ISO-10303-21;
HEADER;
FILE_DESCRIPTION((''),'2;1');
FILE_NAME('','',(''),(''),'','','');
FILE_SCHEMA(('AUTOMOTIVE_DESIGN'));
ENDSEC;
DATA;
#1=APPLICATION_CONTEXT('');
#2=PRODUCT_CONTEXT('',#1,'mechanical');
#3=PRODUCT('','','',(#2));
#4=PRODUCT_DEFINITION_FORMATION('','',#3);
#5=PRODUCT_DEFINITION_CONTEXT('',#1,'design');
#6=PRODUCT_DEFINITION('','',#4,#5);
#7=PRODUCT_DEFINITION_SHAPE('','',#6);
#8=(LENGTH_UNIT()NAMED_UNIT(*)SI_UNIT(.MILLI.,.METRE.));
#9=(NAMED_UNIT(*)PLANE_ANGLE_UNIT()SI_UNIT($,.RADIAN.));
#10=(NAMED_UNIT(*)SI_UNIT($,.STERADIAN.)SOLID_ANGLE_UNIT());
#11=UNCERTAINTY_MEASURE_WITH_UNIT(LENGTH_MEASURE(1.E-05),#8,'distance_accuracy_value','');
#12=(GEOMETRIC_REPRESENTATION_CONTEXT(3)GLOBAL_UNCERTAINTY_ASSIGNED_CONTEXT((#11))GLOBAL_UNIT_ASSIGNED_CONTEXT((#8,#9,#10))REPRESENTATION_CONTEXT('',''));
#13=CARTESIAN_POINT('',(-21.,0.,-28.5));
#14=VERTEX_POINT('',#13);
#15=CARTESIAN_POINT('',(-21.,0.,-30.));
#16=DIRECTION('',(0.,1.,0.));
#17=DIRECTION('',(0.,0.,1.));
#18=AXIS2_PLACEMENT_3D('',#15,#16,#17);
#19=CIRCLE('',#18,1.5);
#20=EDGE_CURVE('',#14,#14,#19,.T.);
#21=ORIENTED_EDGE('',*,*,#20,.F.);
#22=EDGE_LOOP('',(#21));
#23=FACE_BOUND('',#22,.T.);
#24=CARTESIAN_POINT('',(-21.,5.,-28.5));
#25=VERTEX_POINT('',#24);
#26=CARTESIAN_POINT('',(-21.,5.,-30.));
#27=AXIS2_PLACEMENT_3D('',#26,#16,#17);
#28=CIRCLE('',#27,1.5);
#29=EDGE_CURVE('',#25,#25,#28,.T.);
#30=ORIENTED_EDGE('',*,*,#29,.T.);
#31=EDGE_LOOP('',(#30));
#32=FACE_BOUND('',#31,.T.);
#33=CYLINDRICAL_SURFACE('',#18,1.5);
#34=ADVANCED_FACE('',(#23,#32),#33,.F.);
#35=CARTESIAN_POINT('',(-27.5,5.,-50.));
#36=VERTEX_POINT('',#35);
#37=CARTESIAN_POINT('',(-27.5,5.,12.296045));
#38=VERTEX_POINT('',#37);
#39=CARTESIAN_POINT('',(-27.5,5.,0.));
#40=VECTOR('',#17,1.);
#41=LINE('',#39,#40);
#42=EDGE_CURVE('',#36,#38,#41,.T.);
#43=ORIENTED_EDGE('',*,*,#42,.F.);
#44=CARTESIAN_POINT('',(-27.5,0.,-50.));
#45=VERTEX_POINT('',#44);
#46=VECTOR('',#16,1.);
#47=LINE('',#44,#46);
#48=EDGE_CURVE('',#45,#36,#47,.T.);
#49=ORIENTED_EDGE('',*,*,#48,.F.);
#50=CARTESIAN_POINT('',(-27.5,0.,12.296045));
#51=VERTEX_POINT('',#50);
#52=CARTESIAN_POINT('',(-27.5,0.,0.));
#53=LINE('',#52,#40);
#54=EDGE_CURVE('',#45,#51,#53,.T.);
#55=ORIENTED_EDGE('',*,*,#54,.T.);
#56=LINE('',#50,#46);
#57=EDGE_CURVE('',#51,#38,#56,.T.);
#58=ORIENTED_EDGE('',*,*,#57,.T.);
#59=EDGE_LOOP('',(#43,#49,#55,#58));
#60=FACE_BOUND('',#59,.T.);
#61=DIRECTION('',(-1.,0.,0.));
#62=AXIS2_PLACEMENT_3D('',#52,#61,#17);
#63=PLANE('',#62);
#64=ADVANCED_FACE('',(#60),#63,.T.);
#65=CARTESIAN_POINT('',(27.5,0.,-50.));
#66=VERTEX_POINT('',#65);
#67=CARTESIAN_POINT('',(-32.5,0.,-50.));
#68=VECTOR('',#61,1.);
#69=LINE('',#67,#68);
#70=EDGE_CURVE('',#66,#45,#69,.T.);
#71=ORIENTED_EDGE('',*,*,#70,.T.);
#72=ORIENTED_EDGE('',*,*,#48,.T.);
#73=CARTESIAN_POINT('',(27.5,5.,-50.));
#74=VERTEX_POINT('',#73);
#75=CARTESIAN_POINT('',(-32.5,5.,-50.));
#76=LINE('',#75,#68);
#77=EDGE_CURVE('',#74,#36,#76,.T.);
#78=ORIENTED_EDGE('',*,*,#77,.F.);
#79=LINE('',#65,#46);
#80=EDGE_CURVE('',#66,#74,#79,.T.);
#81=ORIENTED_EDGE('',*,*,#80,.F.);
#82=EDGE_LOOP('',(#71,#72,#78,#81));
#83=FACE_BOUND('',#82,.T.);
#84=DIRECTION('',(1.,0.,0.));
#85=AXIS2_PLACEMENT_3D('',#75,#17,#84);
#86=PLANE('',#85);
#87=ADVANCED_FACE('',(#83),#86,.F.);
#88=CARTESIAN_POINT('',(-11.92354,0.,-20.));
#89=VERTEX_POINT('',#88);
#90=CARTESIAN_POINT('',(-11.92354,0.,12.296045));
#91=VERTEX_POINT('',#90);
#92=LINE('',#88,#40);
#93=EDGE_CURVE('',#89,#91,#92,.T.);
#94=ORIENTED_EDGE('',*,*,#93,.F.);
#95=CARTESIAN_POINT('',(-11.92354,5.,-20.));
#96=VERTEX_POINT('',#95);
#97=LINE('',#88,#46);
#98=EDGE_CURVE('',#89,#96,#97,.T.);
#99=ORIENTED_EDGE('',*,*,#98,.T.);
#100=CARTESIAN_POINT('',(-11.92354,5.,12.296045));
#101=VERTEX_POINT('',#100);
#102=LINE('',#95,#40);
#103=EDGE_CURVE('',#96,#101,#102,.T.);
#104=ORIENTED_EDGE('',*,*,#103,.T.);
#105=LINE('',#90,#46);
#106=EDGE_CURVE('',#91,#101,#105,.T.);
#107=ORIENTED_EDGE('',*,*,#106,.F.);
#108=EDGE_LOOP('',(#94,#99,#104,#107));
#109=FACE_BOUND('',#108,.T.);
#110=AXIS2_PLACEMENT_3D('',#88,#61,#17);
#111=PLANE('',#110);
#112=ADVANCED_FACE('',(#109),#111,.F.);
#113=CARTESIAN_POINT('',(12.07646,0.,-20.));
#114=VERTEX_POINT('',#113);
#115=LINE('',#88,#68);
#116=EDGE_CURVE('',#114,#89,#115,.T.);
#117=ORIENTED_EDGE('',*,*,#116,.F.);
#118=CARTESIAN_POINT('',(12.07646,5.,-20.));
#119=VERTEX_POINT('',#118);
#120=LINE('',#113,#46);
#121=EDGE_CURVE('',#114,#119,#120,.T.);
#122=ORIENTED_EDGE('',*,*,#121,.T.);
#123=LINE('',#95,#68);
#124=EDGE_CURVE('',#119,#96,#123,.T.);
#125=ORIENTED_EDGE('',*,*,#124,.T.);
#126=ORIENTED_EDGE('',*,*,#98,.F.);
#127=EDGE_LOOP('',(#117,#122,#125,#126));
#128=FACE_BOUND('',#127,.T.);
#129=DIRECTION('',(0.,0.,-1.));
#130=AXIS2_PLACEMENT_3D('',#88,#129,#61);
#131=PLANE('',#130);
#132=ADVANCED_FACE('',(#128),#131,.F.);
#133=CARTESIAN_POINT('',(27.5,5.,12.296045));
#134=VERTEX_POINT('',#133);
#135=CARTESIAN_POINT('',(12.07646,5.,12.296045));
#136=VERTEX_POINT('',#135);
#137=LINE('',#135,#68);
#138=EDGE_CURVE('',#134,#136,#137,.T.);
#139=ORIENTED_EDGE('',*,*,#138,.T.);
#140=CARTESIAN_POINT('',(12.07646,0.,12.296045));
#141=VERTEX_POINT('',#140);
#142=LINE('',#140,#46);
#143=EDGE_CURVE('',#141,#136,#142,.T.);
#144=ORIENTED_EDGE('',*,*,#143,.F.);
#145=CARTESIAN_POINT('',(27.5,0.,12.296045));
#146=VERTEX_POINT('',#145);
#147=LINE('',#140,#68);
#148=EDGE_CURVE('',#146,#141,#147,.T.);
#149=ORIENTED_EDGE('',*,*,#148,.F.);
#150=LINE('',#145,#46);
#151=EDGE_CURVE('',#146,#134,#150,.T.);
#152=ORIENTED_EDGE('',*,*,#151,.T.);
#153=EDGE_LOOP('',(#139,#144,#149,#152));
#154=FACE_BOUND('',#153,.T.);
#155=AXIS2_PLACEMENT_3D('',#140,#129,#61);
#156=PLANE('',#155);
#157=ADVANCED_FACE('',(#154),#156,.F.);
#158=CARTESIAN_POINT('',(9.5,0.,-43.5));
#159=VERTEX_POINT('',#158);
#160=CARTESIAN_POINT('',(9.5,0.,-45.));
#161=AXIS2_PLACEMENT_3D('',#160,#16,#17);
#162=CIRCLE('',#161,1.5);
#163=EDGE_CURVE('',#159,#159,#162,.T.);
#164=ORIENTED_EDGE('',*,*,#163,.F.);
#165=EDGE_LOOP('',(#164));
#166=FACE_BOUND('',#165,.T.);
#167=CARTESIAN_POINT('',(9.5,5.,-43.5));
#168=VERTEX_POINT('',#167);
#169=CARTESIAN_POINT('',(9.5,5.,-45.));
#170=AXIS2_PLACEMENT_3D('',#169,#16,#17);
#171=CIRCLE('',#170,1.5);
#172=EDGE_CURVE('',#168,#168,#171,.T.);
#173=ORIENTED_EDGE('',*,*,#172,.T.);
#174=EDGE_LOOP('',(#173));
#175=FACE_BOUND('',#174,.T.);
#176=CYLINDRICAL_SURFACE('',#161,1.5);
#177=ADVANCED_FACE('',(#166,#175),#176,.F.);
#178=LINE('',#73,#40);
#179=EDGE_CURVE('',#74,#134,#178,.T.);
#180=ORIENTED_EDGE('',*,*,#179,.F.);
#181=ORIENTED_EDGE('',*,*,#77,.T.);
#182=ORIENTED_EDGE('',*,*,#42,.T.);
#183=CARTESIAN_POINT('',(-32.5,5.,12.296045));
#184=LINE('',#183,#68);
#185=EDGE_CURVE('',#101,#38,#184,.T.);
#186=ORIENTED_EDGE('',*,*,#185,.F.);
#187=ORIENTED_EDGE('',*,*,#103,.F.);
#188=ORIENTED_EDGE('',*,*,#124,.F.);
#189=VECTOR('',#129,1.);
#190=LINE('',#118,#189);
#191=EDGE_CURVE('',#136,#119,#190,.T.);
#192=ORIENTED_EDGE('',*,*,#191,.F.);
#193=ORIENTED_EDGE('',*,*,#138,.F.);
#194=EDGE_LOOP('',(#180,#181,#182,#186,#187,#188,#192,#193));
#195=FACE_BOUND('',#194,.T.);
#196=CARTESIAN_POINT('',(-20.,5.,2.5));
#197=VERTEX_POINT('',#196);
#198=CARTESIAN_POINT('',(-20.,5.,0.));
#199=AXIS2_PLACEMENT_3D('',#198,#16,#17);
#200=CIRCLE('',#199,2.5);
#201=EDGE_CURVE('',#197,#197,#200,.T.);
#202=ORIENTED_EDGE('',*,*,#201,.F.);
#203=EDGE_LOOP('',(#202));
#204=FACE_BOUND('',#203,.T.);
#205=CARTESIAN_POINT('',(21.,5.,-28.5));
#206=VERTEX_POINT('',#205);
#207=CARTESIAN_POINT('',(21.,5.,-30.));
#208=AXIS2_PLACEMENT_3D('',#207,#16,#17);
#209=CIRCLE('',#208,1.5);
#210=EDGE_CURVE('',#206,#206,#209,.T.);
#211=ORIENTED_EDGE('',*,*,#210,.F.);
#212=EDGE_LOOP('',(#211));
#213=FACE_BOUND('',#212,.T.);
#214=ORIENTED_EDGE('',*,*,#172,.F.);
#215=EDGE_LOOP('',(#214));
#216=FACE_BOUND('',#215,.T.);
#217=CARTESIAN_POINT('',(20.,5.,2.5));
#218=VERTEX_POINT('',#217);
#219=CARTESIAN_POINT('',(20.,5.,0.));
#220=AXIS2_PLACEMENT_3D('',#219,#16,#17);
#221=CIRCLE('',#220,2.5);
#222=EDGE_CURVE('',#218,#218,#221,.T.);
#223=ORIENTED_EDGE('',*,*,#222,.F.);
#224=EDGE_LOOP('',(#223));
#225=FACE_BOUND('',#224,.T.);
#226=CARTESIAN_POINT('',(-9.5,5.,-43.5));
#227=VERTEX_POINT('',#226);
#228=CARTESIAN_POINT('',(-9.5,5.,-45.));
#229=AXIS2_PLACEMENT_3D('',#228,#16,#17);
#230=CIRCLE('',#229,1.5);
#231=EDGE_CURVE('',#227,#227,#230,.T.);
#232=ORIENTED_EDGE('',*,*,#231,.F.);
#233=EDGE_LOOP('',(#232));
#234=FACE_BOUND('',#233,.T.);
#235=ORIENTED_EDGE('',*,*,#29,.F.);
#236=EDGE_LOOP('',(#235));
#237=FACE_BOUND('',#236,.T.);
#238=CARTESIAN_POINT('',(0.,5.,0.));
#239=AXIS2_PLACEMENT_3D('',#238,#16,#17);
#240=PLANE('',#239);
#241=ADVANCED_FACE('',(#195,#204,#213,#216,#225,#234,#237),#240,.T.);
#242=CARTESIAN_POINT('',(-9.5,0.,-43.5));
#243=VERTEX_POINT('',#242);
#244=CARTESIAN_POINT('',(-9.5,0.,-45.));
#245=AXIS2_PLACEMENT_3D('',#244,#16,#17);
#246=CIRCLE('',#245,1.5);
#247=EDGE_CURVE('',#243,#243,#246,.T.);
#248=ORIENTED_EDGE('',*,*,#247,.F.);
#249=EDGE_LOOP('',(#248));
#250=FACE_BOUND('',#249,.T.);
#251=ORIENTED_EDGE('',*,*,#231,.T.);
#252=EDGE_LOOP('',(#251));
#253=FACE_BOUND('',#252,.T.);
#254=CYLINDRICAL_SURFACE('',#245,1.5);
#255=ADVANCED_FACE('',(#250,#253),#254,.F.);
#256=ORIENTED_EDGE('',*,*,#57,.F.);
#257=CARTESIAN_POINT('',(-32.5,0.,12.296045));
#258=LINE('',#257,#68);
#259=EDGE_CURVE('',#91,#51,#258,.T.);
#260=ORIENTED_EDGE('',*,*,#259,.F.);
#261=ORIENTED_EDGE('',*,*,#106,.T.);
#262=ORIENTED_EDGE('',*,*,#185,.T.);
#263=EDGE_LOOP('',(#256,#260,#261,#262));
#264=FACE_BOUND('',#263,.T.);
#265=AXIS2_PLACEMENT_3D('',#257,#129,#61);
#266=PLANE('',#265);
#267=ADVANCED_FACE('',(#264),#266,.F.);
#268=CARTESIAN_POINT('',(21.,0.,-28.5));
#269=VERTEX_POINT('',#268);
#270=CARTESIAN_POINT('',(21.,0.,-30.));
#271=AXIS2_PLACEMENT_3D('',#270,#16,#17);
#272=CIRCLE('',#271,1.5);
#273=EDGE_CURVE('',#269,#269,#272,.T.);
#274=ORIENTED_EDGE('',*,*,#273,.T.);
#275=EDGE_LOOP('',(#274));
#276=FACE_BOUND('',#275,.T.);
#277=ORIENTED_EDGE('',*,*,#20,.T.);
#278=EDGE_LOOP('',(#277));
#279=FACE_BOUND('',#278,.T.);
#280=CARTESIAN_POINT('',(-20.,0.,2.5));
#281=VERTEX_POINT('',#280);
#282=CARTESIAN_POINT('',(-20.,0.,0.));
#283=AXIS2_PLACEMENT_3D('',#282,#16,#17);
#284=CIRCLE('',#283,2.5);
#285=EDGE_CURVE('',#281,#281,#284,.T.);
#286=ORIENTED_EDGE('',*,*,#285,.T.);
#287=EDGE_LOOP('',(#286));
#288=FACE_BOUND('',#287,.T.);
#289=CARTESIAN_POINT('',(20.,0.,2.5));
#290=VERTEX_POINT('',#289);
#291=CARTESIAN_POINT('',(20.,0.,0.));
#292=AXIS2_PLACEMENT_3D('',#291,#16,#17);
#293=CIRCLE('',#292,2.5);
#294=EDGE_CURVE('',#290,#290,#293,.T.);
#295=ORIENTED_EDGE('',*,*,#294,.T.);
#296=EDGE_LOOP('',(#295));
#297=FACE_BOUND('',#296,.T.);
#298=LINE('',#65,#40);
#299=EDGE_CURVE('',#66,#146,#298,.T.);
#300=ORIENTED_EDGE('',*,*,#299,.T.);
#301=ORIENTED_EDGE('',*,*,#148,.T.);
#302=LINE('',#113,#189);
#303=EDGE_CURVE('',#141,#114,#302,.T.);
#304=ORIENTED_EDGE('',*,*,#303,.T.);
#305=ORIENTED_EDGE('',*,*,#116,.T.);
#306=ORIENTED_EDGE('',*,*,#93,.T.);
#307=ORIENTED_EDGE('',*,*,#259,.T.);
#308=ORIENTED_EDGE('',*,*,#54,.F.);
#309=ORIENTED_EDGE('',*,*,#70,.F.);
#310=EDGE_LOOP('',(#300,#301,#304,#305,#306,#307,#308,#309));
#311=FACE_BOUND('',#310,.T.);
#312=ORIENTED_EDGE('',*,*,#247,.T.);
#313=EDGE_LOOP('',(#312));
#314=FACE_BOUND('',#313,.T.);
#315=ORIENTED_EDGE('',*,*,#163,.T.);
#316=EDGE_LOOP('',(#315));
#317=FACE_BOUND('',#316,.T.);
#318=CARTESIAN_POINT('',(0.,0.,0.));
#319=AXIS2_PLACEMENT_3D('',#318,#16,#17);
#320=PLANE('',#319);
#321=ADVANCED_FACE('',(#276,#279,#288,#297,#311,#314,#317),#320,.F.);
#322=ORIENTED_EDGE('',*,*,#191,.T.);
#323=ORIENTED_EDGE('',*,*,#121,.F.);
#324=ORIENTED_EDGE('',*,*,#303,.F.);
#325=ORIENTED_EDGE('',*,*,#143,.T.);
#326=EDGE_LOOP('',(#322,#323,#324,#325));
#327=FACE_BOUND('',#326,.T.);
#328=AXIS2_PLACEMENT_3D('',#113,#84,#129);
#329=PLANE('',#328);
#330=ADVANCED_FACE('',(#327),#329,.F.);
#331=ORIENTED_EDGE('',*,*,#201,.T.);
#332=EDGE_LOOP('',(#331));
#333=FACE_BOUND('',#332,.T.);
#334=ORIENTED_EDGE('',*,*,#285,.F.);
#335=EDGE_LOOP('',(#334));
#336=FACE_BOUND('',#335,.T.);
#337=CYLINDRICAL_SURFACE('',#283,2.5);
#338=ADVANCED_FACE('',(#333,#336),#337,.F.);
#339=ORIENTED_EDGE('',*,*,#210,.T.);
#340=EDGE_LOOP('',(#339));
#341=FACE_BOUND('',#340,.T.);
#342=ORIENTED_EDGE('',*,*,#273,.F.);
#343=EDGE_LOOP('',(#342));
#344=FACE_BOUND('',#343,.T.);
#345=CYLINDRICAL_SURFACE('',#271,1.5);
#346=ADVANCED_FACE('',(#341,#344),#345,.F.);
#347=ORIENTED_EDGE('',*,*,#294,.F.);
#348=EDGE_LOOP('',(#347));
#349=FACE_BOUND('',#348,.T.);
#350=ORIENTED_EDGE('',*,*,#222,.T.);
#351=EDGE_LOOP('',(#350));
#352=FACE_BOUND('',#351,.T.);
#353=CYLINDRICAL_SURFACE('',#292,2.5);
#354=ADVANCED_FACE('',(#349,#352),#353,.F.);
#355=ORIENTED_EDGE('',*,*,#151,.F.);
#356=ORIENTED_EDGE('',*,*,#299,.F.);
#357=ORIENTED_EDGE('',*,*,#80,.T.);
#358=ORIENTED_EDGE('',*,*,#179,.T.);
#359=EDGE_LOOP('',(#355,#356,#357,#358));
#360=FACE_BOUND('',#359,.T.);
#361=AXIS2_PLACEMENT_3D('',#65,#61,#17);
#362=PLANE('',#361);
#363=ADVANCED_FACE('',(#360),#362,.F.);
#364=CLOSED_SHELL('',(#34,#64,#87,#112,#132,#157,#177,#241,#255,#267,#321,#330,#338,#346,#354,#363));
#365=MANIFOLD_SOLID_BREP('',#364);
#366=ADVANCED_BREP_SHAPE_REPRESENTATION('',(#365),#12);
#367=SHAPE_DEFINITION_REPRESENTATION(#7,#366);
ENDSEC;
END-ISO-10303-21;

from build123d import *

# Parameters (mm, degrees)
SKETCH1_W           = 65
SKETCH1_H           = 100
BOSS_EXTRUDE1_DEPTH = 5
SKETCH3_R           = 1.5
SKETCH3_R_2         = 2.5
CUT_EXTRUDE2_DEPTH  = 5
SKETCH5_W           = 24
SKETCH5_H           = 70
CUT_EXTRUDE4_DEPTH  = 5
SKETCH6_W           = 65
SKETCH6_H           = 10
CUT_EXTRUDE5_DEPTH  = 5
SKETCH7_W           = 20.576460324
SKETCH7_H           = 27.703955477
CUT_EXTRUDE6_DEPTH  = 5
SKETCH8_W           = 20.423539676
SKETCH8_H           = 27.703955477
CUT_EXTRUDE7_DEPTH  = 5
CUT_EXTRUDE8_DEPTH  = 5
SKETCH10_W          = 5
SKETCH10_H          = 62.296044523
CUT_EXTRUDE9_DEPTH  = 5


with BuildPart() as part:
    # Sketch1 → Boss-Extrude1 (new body)
    with BuildSketch(Plane(origin=(0, 0, 0), x_dir=(1, 0, 0), z_dir=(0, 1, 0))):
        Rectangle(SKETCH1_W, SKETCH1_H)
    extrude(amount=BOSS_EXTRUDE1_DEPTH)

    # Sketch3 → Cut-Extrude2 (cut)
    with BuildSketch(Plane(origin=(0, 5, 0), x_dir=(1, 0, 0), z_dir=(0, 1, 0))):
        with Locations(Location((-21, 30, 0), (0, 0, 270))):
            Circle(SKETCH3_R)
        with Locations(Location((21, 30, 0), (0, 0, 270))):
            Circle(SKETCH3_R)
        with Locations(Location((-9.5, 45, 0), (0, 0, 270))):
            Circle(SKETCH3_R)
        with Locations(Location((9.5, 45, 0), (0, 0, 270))):
            Circle(SKETCH3_R)
        with Locations(Location((-20, 0, 0), (0, 0, 270))):
            Circle(SKETCH3_R_2)
        with Locations(Location((20, 0, 0), (0, 0, 270))):
            Circle(SKETCH3_R_2)
    extrude(amount=-CUT_EXTRUDE2_DEPTH, mode=Mode.SUBTRACT)

    # Sketch5 → Cut-Extrude4 (cut)
    with BuildSketch(Plane(origin=(0, 5, 0), x_dir=(1, 0, 0), z_dir=(0, 1, 0))):
        with Locations((0.076460324, -15)):
            Rectangle(SKETCH5_W, SKETCH5_H)
    extrude(amount=-CUT_EXTRUDE4_DEPTH, mode=Mode.SUBTRACT)

    # Sketch6 → Cut-Extrude5 (cut)
    with BuildSketch(Plane(origin=(0, 5, 0), x_dir=(1, 0, 0), z_dir=(0, 1, 0))):
        with Locations((0, -45)):
            Rectangle(SKETCH6_W, SKETCH6_H)
    extrude(amount=-CUT_EXTRUDE5_DEPTH, mode=Mode.SUBTRACT)

    # Sketch7 → Cut-Extrude6 (cut)
    with BuildSketch(Plane(origin=(0, 5, 0), x_dir=(1, 0, 0), z_dir=(0, 1, 0))):
        with Locations((-22.211769838, -26.148022261)):
            Rectangle(SKETCH7_W, SKETCH7_H)
    extrude(amount=-CUT_EXTRUDE6_DEPTH, mode=Mode.SUBTRACT)

    # Sketch8 → Cut-Extrude7 (cut)
    with BuildSketch(Plane(origin=(0, 5, 0), x_dir=(1, 0, 0), z_dir=(0, 1, 0))):
        with Locations((22.288230162, -26.148022261)):
            Rectangle(SKETCH8_W, SKETCH8_H)
    extrude(amount=-CUT_EXTRUDE7_DEPTH, mode=Mode.SUBTRACT)

    # Sketch9 → Cut-Extrude8 (cut)
    with BuildSketch(Plane(origin=(0, 5, 0), x_dir=(1, 0, 0), z_dir=(0, 1, 0))):
        Polygon((-27.5, 34.801314728), (-27.5, 50), (-32.5, 50), (-32.5, -12.296044523), (-27.5, -12.296044523), (-27.5, 18.851977738), align=None)
    extrude(amount=-CUT_EXTRUDE8_DEPTH, mode=Mode.SUBTRACT)

    # Sketch10 → Cut-Extrude9 (cut)
    with BuildSketch(Plane(origin=(0, 5, 0), x_dir=(1, 0, 0), z_dir=(0, 1, 0))):
        with Locations((30, 18.851977739)):
            Rectangle(SKETCH10_W, SKETCH10_H)
    extrude(amount=-CUT_EXTRUDE9_DEPTH, mode=Mode.SUBTRACT)


solid = part.part
